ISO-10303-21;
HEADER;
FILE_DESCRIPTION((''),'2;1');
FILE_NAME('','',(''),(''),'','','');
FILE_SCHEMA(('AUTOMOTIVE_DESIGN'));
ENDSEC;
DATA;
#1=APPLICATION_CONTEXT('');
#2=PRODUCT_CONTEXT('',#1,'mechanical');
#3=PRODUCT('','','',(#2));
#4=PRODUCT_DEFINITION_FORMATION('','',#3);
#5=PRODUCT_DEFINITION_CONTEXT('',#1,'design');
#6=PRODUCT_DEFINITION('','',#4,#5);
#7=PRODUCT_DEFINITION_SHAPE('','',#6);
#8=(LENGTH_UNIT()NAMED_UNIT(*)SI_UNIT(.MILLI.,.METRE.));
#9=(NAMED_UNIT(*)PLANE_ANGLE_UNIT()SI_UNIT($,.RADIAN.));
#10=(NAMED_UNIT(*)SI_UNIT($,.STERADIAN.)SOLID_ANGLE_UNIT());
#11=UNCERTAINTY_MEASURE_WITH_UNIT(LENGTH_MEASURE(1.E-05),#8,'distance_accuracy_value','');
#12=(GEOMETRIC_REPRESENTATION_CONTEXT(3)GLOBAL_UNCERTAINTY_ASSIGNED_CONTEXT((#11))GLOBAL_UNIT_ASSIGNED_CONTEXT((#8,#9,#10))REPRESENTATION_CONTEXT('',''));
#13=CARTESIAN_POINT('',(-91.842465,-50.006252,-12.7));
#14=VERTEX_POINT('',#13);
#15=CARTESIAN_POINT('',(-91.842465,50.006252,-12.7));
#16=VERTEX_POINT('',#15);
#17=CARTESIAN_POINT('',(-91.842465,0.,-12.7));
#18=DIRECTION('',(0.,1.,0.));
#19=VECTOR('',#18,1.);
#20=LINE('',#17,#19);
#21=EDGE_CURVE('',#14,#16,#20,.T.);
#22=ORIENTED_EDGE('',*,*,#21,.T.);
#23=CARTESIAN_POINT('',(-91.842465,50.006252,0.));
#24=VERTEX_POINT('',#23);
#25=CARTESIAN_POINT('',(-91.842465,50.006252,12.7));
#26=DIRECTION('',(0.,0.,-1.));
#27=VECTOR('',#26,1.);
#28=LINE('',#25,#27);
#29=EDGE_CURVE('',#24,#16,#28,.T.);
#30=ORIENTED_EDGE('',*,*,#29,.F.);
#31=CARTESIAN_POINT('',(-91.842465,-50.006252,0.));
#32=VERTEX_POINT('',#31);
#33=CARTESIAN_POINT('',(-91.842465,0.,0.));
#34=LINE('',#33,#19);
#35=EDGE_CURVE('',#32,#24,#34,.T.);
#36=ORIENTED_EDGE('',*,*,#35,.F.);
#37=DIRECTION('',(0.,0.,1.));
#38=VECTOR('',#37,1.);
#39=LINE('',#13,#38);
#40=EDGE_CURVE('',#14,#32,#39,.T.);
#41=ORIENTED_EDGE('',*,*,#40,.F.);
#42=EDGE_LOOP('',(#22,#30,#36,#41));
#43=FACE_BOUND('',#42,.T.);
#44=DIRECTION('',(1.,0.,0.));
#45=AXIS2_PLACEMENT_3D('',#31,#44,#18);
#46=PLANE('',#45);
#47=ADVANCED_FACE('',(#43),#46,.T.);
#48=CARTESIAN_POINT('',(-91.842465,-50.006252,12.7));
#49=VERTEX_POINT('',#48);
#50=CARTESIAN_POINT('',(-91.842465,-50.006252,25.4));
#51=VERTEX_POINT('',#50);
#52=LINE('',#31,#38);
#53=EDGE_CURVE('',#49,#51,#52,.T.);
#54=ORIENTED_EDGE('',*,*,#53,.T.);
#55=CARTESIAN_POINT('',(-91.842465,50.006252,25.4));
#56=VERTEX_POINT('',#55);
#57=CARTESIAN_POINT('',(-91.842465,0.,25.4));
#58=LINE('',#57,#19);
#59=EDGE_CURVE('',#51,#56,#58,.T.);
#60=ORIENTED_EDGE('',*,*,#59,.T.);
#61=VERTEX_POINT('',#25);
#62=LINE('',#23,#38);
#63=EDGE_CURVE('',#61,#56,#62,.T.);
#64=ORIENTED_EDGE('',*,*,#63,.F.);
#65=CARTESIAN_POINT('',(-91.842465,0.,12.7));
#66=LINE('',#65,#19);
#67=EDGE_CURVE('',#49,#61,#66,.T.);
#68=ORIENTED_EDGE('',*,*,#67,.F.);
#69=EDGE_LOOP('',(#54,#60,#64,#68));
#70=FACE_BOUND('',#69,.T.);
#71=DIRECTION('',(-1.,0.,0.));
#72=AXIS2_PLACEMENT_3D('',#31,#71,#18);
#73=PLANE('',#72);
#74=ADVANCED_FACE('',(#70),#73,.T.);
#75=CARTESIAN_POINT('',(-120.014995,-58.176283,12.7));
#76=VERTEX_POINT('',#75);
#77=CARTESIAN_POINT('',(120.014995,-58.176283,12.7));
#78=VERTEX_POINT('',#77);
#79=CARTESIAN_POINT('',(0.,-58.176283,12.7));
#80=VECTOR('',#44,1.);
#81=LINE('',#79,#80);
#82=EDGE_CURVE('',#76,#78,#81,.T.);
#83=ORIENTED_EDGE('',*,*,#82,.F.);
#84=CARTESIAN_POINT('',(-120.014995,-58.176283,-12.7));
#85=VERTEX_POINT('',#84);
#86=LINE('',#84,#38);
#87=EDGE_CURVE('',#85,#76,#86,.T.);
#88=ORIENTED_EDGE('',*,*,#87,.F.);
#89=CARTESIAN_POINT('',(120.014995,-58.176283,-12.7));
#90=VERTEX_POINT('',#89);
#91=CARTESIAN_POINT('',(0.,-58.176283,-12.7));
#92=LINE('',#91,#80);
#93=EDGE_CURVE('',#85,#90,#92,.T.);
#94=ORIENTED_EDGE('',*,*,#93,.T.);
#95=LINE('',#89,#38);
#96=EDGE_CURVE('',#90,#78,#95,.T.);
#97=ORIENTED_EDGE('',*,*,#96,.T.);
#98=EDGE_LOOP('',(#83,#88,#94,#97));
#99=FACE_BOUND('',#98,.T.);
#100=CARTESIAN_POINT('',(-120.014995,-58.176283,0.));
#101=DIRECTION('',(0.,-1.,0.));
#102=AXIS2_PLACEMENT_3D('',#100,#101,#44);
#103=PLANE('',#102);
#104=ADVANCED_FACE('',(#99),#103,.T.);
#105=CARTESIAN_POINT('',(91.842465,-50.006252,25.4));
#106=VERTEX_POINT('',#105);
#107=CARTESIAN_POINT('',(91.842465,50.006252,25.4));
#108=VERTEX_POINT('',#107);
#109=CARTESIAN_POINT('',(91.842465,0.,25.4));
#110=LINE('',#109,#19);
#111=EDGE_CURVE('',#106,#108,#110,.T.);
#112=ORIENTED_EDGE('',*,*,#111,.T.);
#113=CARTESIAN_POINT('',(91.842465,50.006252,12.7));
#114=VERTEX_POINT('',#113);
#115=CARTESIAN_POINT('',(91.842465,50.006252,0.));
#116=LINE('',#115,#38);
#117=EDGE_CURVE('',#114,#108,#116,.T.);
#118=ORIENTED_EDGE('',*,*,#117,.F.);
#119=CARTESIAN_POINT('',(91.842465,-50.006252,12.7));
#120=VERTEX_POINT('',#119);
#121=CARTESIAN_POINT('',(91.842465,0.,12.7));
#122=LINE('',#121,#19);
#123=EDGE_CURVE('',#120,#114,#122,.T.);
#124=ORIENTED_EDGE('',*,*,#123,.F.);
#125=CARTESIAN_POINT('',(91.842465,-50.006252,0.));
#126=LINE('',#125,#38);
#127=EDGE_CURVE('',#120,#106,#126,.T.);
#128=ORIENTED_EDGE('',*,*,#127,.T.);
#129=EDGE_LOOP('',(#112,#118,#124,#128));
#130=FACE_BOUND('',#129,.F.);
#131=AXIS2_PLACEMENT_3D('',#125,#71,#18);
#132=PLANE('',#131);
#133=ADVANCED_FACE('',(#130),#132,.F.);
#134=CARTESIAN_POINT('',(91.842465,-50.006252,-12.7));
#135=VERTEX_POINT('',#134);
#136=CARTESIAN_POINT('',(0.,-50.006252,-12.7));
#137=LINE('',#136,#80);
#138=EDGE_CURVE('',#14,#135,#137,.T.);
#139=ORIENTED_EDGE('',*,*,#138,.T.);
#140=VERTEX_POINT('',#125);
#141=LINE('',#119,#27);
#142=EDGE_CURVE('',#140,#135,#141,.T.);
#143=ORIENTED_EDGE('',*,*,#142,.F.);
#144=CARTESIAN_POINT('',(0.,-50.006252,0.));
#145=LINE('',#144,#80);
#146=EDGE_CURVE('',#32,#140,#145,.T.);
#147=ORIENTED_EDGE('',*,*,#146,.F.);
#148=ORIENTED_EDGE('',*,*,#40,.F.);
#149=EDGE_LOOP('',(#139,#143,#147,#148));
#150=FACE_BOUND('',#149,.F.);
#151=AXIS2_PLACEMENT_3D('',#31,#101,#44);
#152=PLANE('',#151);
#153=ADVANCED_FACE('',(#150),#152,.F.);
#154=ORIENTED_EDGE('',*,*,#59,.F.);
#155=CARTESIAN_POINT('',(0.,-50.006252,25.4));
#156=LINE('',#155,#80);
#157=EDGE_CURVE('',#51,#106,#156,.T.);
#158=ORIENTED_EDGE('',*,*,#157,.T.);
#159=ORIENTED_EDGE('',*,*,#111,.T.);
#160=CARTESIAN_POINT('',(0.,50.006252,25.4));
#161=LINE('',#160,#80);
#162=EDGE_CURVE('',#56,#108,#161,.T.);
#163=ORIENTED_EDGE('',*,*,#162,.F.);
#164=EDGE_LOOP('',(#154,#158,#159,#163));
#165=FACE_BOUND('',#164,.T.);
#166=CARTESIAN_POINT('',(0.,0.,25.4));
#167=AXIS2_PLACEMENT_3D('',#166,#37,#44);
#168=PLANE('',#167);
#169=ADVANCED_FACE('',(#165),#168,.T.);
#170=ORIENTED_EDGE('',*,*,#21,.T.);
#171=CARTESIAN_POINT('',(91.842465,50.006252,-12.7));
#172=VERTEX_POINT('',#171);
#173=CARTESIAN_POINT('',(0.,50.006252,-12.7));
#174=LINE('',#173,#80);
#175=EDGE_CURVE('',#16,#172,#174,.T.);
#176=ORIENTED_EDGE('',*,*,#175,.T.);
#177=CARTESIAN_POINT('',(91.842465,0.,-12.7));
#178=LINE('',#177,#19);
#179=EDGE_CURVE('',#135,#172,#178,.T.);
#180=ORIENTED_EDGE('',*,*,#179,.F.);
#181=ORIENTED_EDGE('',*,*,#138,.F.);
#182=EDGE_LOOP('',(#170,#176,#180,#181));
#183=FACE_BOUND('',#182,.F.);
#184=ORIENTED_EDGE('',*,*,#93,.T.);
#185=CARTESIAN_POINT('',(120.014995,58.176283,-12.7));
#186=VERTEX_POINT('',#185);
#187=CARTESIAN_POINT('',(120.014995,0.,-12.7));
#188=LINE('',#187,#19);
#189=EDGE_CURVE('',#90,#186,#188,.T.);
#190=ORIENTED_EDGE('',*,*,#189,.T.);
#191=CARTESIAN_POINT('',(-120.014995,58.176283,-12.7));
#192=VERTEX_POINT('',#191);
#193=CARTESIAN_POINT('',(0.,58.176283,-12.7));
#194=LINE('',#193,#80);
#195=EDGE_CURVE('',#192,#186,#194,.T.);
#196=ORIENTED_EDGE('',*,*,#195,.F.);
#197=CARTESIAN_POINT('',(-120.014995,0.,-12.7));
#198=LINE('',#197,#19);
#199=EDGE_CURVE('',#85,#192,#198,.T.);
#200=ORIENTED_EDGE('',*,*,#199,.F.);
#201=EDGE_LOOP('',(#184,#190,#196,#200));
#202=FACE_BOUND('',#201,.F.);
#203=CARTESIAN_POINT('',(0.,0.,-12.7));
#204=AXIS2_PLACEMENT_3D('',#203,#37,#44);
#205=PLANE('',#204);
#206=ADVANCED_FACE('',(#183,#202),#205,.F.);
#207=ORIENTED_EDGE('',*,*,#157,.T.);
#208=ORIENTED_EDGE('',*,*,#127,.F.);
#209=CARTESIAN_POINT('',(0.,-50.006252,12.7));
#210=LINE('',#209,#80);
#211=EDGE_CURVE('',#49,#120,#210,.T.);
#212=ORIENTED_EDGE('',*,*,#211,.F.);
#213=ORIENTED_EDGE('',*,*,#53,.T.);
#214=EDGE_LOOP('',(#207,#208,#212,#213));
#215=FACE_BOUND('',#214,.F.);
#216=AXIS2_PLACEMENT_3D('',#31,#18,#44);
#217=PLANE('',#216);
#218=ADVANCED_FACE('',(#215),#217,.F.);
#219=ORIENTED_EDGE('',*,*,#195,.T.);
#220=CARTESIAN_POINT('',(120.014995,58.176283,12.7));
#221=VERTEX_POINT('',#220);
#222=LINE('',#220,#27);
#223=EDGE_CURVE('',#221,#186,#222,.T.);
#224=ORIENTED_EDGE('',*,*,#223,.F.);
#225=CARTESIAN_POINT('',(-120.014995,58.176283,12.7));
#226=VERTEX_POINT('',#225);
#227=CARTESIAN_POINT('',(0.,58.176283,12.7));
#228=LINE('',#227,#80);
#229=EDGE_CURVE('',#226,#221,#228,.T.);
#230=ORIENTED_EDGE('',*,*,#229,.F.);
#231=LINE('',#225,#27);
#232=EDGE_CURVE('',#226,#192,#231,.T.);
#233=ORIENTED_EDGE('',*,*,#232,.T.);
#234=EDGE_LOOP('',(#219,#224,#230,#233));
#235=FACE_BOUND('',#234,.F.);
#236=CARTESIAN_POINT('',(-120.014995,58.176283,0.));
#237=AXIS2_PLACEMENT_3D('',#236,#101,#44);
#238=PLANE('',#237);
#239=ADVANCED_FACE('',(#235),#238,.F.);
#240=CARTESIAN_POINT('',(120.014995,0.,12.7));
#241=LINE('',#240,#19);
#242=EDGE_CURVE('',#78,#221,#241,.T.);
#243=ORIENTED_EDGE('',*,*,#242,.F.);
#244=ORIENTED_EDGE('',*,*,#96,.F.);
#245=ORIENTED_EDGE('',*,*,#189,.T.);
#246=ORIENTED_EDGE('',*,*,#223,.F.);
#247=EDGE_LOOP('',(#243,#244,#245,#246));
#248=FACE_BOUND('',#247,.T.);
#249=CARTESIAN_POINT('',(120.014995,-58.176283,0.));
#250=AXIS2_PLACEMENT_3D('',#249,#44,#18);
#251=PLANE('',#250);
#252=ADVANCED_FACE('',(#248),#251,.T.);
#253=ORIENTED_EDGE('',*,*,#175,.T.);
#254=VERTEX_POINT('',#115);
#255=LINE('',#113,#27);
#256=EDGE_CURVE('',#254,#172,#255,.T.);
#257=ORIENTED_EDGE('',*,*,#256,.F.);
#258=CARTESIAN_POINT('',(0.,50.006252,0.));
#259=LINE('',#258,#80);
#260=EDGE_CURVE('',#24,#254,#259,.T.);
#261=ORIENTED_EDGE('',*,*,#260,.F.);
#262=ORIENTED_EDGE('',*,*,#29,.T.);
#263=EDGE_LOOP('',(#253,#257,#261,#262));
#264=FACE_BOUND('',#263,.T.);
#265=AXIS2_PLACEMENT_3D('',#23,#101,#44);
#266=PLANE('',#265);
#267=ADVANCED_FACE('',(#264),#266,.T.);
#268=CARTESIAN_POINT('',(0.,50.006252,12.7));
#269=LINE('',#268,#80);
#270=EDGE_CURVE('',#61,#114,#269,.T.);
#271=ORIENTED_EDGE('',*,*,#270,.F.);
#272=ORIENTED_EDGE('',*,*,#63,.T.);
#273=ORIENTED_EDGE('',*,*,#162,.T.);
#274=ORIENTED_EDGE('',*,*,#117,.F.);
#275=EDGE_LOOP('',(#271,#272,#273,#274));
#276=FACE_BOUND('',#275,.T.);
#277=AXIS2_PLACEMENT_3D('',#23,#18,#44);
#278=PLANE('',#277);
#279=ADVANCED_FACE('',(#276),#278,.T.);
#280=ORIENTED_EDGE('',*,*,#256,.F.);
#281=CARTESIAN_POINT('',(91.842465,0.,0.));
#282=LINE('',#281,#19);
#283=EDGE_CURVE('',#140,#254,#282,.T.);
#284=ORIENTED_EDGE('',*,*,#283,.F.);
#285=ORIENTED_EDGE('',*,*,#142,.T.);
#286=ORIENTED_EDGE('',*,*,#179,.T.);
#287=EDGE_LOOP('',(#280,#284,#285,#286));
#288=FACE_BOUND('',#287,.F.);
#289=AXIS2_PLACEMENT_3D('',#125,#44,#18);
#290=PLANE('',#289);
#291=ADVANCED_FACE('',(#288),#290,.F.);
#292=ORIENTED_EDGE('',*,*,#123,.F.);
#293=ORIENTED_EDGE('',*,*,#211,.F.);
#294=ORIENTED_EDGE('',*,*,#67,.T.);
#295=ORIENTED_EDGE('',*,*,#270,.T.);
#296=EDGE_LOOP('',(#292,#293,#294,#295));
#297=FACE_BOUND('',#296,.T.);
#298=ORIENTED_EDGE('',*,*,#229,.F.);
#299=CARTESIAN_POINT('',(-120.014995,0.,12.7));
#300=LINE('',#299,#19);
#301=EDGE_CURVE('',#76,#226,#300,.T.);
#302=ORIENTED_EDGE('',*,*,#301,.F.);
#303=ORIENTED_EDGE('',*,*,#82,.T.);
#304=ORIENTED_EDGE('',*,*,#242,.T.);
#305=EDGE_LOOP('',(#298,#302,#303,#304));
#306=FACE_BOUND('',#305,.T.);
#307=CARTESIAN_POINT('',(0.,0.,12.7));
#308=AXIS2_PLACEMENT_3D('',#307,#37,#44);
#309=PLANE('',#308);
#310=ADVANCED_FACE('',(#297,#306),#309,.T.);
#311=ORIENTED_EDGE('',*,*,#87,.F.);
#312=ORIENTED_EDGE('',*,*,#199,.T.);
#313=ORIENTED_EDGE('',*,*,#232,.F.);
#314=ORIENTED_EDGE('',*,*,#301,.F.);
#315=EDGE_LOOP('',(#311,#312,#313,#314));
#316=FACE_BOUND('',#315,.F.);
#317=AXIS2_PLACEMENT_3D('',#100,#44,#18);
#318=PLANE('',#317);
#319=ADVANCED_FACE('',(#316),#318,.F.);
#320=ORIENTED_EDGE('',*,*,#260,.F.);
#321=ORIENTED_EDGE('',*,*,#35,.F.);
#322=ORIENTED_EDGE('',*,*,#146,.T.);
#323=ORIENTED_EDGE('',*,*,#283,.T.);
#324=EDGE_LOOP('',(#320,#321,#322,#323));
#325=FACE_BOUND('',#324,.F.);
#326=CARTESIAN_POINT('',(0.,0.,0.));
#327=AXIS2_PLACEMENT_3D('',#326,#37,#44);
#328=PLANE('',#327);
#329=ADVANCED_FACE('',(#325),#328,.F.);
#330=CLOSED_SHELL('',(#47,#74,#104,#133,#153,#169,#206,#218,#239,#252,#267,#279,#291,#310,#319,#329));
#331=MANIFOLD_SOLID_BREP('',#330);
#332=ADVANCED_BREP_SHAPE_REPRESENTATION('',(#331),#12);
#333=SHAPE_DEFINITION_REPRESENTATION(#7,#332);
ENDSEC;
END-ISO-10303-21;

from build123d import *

# Parameters (mm, degrees)
F0_W     = 183.68493
F0_H     = 100.012504
F1_DEPTH = 25.4
F0_W_2   = 240.02999
F0_H_2   = 116.352566
F2_DEPTH = 12.7


with BuildPart() as f1:
    # F0 (on Top) → F1 (new body)
    with BuildSketch(Plane.XY):
        Rectangle(F0_W, F0_H)
    extrude(amount=F1_DEPTH)

    # F0 (on Top) → F2 (join, symmetric)
    with BuildSketch(Plane.XY):
        Rectangle(F0_W_2, F0_H_2)
        Rectangle(F0_W, F0_H, mode=Mode.SUBTRACT)
    extrude(amount=F2_DEPTH, both=True)


solid = f1.part
